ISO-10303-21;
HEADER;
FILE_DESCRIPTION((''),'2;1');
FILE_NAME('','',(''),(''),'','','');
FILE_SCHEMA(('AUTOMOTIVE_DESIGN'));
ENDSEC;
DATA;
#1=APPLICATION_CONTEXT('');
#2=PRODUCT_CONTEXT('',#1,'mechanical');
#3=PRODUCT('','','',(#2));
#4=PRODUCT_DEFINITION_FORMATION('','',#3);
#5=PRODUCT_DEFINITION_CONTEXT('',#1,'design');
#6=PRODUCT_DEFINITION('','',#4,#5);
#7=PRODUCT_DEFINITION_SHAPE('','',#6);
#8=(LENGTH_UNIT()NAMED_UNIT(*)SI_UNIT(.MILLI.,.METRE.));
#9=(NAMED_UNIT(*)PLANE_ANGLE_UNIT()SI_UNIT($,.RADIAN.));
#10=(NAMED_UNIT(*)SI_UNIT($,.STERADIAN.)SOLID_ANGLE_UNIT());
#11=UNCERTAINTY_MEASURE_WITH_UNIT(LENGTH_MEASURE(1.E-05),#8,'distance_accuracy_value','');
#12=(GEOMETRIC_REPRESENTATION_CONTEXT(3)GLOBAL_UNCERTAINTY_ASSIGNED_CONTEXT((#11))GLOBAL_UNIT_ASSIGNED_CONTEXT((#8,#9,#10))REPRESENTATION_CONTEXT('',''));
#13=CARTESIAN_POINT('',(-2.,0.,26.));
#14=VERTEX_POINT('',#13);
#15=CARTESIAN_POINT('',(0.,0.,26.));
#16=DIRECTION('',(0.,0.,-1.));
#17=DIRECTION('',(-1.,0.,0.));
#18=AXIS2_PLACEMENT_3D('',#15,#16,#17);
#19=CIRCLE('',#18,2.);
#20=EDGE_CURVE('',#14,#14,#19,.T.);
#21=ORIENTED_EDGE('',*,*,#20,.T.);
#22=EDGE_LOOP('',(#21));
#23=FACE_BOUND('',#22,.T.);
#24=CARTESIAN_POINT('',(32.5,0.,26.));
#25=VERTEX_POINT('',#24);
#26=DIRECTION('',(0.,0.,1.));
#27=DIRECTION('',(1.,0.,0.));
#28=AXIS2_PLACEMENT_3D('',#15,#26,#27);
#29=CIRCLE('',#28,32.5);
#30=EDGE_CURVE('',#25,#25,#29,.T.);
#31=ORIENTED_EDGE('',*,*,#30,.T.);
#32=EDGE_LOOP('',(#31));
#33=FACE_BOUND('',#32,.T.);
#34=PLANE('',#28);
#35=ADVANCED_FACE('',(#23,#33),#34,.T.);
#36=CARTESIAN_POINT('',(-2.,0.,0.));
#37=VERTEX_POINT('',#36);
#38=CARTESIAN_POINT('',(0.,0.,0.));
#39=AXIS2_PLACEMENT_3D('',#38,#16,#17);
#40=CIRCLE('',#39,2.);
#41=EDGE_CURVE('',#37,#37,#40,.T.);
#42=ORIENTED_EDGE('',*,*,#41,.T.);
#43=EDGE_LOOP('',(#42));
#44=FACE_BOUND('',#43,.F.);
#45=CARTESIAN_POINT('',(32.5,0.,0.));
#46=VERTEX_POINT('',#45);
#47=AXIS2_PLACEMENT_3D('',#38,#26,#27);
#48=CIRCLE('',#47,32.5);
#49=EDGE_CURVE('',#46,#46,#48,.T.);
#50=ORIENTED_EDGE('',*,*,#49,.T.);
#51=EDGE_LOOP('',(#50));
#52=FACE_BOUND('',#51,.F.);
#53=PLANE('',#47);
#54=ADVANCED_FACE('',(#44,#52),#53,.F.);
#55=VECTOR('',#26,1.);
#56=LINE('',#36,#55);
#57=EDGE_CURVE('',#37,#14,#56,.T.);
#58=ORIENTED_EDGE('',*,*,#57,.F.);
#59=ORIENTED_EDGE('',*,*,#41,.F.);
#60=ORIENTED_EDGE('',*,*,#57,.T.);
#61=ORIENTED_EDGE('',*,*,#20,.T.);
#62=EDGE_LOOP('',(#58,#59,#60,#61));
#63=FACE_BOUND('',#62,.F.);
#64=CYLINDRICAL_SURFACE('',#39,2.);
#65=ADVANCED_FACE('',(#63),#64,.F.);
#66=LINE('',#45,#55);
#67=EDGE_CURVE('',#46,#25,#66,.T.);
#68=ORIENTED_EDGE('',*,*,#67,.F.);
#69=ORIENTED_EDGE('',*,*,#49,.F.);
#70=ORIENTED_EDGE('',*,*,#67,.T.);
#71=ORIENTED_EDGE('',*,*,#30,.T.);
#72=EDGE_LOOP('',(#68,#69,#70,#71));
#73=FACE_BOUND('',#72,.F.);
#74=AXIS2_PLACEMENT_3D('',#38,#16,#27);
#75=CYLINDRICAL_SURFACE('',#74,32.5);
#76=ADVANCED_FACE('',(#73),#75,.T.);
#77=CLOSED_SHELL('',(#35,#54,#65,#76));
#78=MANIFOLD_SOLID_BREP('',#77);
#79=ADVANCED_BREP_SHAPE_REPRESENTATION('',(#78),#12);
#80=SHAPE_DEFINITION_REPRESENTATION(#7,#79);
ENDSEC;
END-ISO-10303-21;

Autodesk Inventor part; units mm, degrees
ref_plane "YZ Plane" through (0, 0, 0) normal (1, 0, 0) x (0, 1, 0)
ref_plane "XZ Plane" through (0, 0, 0) normal (0, 1, 0) x (-1, 0, 0)
ref_plane "XY Plane" through (0, 0, 0) normal (0, 0, 1) x (1, 0, 0)
sketch "Sketch1" plane through (0, 0, 0) normal (0, 0, 1) x (1, 0, 0)
  circle A0 centre (0, 0) radius 32.5
  dimension "d0" = 65
extrude "Extrusion1" add sketch "Sketch1" along normal blind 26
ref_plane "Work Plane1" through (0, 0, 0) normal (0, 0, -1) x (-1, 0, 0)
sketch "Sketch2" plane through (0, 0, 0) normal (0, 0, -1) x (-1, 0, 0)
  circle A0 centre (0, 0) radius 2
  dimension "d4" = 4
extrude "Extrusion2" cut sketch "Sketch2" against normal up to surface (26 mm away)
properties part number "wheel"
